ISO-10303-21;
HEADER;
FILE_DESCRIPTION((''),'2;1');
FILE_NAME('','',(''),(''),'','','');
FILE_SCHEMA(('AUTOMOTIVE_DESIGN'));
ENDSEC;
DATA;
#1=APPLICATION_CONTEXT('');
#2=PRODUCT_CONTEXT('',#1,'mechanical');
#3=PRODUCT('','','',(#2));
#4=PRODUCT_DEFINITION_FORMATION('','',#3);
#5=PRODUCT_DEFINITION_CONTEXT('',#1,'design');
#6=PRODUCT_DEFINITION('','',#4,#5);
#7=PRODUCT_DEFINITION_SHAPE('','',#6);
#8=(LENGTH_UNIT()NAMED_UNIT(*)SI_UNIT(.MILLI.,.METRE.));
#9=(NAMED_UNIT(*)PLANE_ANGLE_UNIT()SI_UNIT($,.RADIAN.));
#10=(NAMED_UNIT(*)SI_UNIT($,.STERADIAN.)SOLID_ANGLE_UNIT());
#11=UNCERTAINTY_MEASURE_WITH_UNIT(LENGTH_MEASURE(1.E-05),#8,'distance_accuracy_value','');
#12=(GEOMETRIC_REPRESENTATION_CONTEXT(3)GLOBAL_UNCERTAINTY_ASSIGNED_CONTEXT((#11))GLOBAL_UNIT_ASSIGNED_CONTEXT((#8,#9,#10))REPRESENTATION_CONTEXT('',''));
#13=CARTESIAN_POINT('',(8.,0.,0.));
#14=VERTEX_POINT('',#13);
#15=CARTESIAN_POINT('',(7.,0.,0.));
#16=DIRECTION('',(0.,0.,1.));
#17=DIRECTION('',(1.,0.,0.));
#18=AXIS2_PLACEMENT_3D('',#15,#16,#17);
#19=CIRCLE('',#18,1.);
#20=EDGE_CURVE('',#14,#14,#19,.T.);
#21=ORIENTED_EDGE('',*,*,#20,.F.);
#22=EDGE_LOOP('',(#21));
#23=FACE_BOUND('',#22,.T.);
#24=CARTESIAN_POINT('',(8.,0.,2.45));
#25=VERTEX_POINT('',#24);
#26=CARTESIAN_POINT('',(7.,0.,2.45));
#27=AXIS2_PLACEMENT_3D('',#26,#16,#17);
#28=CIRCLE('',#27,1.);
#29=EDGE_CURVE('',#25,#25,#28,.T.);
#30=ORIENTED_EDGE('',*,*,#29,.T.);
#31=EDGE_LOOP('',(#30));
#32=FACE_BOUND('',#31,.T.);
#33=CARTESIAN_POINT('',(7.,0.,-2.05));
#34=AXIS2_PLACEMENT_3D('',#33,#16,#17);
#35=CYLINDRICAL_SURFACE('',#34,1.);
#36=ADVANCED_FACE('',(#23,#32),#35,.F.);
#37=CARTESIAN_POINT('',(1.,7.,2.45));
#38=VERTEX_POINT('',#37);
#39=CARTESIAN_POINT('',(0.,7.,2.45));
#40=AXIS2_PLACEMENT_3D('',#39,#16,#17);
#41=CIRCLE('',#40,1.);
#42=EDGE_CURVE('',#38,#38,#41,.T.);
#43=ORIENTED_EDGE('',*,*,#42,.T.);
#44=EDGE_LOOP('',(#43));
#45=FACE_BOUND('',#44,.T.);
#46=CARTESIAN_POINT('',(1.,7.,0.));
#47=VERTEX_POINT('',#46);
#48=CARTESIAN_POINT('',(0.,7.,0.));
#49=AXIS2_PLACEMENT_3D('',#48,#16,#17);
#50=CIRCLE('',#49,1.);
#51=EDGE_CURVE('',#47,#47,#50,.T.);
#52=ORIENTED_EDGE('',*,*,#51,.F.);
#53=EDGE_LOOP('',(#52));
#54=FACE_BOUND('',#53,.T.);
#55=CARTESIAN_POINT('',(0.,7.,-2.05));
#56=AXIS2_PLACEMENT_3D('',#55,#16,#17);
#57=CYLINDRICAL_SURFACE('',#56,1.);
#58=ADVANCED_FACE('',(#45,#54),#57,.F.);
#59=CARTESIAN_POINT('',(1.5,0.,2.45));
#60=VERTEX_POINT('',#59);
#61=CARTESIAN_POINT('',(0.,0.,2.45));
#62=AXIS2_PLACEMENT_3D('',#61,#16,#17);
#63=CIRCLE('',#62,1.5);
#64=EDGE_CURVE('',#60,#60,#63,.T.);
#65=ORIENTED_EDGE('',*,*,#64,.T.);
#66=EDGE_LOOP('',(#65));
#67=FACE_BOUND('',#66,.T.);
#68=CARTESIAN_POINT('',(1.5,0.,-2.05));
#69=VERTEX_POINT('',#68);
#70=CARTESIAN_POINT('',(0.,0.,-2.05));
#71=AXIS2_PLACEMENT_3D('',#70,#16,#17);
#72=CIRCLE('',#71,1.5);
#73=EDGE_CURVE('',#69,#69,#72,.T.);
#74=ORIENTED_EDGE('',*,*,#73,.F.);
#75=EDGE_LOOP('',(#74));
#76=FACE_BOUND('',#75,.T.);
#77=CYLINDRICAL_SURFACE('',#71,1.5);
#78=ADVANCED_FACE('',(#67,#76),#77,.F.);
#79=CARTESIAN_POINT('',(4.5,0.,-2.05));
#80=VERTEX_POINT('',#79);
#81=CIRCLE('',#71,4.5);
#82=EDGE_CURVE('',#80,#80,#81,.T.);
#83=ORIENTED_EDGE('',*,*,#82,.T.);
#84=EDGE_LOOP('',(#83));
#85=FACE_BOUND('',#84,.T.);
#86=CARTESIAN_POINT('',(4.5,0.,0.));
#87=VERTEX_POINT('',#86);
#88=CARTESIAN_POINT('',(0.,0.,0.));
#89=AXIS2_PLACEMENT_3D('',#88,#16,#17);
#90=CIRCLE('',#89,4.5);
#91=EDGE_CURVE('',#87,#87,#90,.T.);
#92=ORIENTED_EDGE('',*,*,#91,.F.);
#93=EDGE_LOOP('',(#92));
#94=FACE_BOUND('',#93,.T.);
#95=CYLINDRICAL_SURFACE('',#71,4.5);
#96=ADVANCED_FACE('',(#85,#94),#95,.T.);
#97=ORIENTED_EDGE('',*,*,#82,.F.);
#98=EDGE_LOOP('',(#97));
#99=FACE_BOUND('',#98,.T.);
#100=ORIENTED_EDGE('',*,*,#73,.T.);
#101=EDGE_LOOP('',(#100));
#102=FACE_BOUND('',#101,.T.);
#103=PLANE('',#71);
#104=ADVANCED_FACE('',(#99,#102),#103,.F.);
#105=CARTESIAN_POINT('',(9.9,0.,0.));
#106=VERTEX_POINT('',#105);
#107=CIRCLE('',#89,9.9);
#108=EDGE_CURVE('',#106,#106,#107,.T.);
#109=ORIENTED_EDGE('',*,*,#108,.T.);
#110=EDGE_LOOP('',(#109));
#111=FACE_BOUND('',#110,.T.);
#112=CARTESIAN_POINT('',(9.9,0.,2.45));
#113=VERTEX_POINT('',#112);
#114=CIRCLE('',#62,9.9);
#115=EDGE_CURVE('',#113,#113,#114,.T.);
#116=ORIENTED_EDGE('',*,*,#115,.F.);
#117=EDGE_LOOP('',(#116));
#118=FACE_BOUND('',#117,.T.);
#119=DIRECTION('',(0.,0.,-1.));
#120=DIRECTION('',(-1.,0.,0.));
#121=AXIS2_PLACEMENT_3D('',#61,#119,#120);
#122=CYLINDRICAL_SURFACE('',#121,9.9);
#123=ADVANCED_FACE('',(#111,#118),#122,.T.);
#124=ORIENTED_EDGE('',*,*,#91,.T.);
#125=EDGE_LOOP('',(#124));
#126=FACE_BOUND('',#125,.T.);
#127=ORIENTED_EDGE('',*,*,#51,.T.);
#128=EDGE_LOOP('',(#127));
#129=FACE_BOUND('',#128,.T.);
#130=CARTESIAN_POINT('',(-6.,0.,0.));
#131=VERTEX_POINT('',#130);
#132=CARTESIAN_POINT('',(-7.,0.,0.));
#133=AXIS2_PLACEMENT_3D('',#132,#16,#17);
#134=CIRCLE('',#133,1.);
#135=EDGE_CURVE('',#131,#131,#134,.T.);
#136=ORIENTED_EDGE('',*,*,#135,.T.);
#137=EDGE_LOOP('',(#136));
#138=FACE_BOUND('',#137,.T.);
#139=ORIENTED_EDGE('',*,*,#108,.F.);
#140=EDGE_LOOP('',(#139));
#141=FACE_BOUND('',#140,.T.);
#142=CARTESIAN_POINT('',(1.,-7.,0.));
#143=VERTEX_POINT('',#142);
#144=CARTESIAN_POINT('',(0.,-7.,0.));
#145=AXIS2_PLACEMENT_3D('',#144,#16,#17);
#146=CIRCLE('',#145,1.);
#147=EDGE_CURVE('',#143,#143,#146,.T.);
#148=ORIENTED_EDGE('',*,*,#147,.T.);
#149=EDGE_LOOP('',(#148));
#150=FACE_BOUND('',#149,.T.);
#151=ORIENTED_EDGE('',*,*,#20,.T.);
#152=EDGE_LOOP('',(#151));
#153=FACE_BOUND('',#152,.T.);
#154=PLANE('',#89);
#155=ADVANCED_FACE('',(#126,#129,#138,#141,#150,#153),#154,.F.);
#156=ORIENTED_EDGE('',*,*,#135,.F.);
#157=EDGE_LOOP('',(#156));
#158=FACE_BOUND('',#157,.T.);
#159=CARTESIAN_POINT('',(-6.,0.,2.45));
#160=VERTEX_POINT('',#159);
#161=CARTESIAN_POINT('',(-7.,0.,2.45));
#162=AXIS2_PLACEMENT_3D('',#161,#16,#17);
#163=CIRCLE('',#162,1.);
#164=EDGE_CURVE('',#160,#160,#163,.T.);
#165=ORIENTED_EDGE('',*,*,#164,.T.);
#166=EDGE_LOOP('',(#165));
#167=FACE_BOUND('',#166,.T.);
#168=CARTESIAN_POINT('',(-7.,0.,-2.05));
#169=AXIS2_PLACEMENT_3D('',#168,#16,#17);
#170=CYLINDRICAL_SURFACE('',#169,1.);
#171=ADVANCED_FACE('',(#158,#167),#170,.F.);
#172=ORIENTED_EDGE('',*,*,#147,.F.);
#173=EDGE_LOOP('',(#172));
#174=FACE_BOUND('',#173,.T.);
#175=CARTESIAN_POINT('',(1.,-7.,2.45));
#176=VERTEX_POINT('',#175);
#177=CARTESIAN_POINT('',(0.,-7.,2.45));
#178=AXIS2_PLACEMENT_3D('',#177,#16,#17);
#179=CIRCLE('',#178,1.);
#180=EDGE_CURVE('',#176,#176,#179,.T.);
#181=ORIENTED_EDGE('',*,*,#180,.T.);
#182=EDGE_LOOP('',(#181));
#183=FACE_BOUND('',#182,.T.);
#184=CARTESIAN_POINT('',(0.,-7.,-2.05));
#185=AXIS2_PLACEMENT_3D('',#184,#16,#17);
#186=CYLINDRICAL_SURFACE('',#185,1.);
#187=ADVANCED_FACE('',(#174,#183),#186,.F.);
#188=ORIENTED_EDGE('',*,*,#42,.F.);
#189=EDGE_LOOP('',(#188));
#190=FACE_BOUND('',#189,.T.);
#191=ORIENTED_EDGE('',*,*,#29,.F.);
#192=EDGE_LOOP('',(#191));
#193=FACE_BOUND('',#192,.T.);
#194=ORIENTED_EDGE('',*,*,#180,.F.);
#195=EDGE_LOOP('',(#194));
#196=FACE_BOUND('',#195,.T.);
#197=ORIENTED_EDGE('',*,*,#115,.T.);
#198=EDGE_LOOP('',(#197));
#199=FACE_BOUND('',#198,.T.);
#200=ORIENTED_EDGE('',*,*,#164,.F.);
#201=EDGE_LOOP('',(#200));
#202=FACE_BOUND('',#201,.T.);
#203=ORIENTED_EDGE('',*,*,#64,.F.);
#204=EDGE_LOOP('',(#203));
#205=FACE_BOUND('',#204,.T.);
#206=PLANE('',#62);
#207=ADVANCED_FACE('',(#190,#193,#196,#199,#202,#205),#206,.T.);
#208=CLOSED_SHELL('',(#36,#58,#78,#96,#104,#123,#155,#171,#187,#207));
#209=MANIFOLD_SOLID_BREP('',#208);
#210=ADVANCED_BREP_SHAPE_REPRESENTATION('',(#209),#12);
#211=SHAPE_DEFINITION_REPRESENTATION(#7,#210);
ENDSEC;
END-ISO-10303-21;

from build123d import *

# Parameters (mm, degrees)
CROQUIS1_R              = 9.9
SALIENTE_EXTRUIR1_DEPTH = 2.45
CROQUIS2_R              = 4.5
SALIENTE_EXTRUIR2_DEPTH = 4.5
CROQUIS3_R              = 1.5
CROQUIS3_R_2            = 1
CORTAR_EXTRUIR1_DEPTH   = 15.706121175


with BuildPart() as part:
    # Croquis1 → Saliente-Extruir1 (new body)
    with BuildSketch(Plane.XY):
        Circle(CROQUIS1_R)
    extrude(amount=SALIENTE_EXTRUIR1_DEPTH)

    # Croquis2 → Saliente-Extruir2 (add)
    with BuildSketch(Plane.XY.offset(2.45)):
        Circle(CROQUIS2_R)
    extrude(amount=-SALIENTE_EXTRUIR2_DEPTH)

    # Croquis3 → Cortar-Extruir1 (cut, through all)
    with BuildSketch(Plane.XY.offset(2.45)):
        Circle(CROQUIS3_R)
        with Locations((7, 0)):
            Circle(CROQUIS3_R_2)
        with Locations((0, -7)):
            Circle(CROQUIS3_R_2)
        with Locations((-7, 0)):
            Circle(CROQUIS3_R_2)
        with Locations((0, 7)):
            Circle(CROQUIS3_R_2)
    extrude(amount=-CORTAR_EXTRUIR1_DEPTH, mode=Mode.SUBTRACT)


solid = part.part
